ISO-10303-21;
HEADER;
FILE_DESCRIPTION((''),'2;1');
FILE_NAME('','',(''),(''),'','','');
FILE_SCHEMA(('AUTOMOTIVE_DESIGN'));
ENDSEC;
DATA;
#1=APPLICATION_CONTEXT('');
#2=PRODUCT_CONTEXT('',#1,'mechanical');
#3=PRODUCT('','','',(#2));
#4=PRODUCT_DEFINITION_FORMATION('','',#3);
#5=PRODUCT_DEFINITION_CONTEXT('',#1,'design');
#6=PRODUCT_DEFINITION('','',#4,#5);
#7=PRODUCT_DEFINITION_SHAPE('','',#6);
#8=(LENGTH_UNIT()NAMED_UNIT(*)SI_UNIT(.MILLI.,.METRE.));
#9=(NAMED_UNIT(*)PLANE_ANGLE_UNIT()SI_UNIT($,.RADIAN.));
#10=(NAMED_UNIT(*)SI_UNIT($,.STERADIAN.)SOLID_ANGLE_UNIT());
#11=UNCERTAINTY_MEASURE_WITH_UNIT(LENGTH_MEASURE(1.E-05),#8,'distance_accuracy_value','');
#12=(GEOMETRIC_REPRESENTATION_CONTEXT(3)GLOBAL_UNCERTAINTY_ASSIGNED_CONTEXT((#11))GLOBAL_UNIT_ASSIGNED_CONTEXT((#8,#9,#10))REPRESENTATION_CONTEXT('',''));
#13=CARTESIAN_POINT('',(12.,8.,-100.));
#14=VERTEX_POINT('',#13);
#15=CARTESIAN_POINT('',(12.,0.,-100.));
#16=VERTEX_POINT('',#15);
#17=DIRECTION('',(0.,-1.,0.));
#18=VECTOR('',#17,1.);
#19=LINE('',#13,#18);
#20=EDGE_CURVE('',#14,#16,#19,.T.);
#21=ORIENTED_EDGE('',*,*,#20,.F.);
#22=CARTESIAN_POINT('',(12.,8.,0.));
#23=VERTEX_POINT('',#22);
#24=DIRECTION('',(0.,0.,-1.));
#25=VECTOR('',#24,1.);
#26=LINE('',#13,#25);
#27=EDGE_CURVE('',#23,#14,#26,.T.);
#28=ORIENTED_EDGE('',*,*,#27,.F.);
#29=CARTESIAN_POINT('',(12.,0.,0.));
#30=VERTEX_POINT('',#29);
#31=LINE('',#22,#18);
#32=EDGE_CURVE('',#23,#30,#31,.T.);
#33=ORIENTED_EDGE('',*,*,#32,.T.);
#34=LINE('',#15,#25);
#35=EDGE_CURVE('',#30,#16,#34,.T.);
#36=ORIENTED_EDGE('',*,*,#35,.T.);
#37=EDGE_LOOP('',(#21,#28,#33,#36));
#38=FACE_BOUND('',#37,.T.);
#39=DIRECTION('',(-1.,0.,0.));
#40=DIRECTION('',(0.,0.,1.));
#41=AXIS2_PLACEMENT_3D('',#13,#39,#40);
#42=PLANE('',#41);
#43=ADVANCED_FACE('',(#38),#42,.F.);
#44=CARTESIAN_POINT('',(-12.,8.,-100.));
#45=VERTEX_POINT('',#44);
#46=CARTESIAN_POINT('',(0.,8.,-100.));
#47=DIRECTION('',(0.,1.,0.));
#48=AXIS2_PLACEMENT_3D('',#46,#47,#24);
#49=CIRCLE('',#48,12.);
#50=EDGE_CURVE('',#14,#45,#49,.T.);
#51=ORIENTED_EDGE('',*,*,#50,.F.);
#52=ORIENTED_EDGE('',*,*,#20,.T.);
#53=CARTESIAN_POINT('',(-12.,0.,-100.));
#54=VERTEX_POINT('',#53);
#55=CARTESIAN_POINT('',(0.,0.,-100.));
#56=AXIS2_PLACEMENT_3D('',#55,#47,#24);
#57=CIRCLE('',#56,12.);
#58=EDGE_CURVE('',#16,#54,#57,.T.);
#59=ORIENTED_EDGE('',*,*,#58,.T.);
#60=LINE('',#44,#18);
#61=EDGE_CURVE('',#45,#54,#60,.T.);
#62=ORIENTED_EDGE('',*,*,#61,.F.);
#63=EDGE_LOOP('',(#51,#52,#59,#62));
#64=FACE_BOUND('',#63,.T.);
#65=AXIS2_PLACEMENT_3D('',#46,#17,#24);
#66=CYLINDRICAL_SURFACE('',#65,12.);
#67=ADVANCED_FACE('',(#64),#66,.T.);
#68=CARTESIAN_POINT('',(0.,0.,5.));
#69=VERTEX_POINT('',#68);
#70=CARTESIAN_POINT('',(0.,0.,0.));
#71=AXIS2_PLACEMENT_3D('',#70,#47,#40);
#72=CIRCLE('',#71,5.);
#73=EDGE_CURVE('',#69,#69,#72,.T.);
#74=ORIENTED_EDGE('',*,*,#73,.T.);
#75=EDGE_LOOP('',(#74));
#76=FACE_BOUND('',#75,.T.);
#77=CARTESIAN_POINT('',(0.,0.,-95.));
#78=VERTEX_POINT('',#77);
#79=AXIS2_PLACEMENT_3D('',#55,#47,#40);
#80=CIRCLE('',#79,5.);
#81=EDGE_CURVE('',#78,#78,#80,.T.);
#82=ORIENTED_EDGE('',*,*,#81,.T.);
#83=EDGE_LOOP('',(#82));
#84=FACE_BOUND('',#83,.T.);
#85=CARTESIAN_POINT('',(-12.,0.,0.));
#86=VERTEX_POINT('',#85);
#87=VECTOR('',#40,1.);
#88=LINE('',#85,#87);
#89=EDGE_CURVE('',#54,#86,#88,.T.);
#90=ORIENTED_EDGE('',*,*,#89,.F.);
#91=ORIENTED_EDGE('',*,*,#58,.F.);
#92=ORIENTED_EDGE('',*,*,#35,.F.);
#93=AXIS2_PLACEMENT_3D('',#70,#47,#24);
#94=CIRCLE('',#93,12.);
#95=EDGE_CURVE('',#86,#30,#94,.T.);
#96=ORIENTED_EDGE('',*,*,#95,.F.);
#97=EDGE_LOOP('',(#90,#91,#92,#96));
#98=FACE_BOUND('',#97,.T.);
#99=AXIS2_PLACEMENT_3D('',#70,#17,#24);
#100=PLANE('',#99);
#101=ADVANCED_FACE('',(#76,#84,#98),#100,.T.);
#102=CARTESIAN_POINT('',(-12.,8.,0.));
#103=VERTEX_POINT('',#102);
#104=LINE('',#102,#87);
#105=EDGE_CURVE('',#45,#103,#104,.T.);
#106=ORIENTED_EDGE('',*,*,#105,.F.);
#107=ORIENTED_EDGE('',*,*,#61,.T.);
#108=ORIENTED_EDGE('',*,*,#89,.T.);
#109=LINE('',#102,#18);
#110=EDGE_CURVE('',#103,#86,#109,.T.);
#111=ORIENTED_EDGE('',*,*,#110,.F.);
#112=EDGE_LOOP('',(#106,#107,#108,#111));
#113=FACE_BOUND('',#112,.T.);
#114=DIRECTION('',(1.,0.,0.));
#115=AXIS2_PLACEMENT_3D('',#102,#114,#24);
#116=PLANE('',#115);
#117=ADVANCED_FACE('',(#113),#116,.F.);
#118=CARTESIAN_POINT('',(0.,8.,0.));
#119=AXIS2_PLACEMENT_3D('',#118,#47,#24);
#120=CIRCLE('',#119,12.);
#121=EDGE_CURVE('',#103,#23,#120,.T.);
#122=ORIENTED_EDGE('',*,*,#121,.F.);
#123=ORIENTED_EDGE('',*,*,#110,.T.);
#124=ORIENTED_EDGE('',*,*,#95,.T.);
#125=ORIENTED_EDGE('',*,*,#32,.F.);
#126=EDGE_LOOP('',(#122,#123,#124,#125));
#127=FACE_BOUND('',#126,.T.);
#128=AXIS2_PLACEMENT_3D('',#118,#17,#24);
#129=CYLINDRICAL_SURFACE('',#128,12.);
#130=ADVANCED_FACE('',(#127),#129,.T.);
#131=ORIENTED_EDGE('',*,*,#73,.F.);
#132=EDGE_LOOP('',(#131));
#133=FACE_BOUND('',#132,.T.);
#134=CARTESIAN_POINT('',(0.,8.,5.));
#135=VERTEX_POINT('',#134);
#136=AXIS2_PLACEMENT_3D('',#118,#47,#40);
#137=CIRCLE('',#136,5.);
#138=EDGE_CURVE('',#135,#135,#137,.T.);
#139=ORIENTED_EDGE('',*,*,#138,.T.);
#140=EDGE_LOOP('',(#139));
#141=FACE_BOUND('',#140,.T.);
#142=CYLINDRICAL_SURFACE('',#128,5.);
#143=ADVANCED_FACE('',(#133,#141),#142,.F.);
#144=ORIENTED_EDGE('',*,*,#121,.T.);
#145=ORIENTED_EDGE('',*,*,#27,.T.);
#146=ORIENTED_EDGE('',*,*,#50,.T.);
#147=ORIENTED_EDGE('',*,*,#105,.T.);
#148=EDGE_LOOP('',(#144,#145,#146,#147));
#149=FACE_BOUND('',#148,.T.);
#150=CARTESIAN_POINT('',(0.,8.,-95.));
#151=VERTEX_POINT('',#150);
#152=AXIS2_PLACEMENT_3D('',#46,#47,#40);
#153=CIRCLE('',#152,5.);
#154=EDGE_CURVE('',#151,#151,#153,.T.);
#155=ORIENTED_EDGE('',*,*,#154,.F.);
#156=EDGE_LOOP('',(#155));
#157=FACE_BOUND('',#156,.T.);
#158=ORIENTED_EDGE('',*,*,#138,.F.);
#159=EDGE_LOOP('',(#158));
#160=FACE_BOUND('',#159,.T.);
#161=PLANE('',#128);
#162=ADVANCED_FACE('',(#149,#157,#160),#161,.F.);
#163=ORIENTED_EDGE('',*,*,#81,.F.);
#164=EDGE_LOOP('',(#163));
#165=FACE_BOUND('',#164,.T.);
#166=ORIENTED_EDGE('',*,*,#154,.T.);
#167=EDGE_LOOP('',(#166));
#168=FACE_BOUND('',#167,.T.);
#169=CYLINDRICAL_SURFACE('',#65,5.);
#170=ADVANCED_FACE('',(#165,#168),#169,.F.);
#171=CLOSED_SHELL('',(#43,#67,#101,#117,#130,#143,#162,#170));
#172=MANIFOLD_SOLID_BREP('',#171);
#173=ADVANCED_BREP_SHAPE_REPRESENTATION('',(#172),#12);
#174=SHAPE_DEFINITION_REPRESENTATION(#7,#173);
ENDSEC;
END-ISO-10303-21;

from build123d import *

# Parameters (mm, degrees)
SKETCH_1_R      = 5
EXTRUDE_1_DEPTH = 8


with BuildPart() as part:
    # ｽｹｯﾁ1 → ﾎﾞｽ - 押し出し1 (new body)
    with BuildSketch(Plane(origin=(0, 0, 0), x_dir=(1, 0, 0), z_dir=(0, 1, 0))):
        with BuildLine():
            Line((-12, 0), (-12, 100))
            ThreePointArc((-12, 100), (0, 112), (12, 100))
            Line((12, 100), (12, 0))
            ThreePointArc((12, 0), (0, -12), (-12, 0))
        make_face()
        with Locations(Location((0, 0, 0), (0, 0, 270))):
            Circle(SKETCH_1_R, mode=Mode.SUBTRACT)
        with Locations(Location((0, 100, 0), (0, 0, 270))):
            Circle(SKETCH_1_R, mode=Mode.SUBTRACT)
    extrude(amount=EXTRUDE_1_DEPTH)


solid = part.part
